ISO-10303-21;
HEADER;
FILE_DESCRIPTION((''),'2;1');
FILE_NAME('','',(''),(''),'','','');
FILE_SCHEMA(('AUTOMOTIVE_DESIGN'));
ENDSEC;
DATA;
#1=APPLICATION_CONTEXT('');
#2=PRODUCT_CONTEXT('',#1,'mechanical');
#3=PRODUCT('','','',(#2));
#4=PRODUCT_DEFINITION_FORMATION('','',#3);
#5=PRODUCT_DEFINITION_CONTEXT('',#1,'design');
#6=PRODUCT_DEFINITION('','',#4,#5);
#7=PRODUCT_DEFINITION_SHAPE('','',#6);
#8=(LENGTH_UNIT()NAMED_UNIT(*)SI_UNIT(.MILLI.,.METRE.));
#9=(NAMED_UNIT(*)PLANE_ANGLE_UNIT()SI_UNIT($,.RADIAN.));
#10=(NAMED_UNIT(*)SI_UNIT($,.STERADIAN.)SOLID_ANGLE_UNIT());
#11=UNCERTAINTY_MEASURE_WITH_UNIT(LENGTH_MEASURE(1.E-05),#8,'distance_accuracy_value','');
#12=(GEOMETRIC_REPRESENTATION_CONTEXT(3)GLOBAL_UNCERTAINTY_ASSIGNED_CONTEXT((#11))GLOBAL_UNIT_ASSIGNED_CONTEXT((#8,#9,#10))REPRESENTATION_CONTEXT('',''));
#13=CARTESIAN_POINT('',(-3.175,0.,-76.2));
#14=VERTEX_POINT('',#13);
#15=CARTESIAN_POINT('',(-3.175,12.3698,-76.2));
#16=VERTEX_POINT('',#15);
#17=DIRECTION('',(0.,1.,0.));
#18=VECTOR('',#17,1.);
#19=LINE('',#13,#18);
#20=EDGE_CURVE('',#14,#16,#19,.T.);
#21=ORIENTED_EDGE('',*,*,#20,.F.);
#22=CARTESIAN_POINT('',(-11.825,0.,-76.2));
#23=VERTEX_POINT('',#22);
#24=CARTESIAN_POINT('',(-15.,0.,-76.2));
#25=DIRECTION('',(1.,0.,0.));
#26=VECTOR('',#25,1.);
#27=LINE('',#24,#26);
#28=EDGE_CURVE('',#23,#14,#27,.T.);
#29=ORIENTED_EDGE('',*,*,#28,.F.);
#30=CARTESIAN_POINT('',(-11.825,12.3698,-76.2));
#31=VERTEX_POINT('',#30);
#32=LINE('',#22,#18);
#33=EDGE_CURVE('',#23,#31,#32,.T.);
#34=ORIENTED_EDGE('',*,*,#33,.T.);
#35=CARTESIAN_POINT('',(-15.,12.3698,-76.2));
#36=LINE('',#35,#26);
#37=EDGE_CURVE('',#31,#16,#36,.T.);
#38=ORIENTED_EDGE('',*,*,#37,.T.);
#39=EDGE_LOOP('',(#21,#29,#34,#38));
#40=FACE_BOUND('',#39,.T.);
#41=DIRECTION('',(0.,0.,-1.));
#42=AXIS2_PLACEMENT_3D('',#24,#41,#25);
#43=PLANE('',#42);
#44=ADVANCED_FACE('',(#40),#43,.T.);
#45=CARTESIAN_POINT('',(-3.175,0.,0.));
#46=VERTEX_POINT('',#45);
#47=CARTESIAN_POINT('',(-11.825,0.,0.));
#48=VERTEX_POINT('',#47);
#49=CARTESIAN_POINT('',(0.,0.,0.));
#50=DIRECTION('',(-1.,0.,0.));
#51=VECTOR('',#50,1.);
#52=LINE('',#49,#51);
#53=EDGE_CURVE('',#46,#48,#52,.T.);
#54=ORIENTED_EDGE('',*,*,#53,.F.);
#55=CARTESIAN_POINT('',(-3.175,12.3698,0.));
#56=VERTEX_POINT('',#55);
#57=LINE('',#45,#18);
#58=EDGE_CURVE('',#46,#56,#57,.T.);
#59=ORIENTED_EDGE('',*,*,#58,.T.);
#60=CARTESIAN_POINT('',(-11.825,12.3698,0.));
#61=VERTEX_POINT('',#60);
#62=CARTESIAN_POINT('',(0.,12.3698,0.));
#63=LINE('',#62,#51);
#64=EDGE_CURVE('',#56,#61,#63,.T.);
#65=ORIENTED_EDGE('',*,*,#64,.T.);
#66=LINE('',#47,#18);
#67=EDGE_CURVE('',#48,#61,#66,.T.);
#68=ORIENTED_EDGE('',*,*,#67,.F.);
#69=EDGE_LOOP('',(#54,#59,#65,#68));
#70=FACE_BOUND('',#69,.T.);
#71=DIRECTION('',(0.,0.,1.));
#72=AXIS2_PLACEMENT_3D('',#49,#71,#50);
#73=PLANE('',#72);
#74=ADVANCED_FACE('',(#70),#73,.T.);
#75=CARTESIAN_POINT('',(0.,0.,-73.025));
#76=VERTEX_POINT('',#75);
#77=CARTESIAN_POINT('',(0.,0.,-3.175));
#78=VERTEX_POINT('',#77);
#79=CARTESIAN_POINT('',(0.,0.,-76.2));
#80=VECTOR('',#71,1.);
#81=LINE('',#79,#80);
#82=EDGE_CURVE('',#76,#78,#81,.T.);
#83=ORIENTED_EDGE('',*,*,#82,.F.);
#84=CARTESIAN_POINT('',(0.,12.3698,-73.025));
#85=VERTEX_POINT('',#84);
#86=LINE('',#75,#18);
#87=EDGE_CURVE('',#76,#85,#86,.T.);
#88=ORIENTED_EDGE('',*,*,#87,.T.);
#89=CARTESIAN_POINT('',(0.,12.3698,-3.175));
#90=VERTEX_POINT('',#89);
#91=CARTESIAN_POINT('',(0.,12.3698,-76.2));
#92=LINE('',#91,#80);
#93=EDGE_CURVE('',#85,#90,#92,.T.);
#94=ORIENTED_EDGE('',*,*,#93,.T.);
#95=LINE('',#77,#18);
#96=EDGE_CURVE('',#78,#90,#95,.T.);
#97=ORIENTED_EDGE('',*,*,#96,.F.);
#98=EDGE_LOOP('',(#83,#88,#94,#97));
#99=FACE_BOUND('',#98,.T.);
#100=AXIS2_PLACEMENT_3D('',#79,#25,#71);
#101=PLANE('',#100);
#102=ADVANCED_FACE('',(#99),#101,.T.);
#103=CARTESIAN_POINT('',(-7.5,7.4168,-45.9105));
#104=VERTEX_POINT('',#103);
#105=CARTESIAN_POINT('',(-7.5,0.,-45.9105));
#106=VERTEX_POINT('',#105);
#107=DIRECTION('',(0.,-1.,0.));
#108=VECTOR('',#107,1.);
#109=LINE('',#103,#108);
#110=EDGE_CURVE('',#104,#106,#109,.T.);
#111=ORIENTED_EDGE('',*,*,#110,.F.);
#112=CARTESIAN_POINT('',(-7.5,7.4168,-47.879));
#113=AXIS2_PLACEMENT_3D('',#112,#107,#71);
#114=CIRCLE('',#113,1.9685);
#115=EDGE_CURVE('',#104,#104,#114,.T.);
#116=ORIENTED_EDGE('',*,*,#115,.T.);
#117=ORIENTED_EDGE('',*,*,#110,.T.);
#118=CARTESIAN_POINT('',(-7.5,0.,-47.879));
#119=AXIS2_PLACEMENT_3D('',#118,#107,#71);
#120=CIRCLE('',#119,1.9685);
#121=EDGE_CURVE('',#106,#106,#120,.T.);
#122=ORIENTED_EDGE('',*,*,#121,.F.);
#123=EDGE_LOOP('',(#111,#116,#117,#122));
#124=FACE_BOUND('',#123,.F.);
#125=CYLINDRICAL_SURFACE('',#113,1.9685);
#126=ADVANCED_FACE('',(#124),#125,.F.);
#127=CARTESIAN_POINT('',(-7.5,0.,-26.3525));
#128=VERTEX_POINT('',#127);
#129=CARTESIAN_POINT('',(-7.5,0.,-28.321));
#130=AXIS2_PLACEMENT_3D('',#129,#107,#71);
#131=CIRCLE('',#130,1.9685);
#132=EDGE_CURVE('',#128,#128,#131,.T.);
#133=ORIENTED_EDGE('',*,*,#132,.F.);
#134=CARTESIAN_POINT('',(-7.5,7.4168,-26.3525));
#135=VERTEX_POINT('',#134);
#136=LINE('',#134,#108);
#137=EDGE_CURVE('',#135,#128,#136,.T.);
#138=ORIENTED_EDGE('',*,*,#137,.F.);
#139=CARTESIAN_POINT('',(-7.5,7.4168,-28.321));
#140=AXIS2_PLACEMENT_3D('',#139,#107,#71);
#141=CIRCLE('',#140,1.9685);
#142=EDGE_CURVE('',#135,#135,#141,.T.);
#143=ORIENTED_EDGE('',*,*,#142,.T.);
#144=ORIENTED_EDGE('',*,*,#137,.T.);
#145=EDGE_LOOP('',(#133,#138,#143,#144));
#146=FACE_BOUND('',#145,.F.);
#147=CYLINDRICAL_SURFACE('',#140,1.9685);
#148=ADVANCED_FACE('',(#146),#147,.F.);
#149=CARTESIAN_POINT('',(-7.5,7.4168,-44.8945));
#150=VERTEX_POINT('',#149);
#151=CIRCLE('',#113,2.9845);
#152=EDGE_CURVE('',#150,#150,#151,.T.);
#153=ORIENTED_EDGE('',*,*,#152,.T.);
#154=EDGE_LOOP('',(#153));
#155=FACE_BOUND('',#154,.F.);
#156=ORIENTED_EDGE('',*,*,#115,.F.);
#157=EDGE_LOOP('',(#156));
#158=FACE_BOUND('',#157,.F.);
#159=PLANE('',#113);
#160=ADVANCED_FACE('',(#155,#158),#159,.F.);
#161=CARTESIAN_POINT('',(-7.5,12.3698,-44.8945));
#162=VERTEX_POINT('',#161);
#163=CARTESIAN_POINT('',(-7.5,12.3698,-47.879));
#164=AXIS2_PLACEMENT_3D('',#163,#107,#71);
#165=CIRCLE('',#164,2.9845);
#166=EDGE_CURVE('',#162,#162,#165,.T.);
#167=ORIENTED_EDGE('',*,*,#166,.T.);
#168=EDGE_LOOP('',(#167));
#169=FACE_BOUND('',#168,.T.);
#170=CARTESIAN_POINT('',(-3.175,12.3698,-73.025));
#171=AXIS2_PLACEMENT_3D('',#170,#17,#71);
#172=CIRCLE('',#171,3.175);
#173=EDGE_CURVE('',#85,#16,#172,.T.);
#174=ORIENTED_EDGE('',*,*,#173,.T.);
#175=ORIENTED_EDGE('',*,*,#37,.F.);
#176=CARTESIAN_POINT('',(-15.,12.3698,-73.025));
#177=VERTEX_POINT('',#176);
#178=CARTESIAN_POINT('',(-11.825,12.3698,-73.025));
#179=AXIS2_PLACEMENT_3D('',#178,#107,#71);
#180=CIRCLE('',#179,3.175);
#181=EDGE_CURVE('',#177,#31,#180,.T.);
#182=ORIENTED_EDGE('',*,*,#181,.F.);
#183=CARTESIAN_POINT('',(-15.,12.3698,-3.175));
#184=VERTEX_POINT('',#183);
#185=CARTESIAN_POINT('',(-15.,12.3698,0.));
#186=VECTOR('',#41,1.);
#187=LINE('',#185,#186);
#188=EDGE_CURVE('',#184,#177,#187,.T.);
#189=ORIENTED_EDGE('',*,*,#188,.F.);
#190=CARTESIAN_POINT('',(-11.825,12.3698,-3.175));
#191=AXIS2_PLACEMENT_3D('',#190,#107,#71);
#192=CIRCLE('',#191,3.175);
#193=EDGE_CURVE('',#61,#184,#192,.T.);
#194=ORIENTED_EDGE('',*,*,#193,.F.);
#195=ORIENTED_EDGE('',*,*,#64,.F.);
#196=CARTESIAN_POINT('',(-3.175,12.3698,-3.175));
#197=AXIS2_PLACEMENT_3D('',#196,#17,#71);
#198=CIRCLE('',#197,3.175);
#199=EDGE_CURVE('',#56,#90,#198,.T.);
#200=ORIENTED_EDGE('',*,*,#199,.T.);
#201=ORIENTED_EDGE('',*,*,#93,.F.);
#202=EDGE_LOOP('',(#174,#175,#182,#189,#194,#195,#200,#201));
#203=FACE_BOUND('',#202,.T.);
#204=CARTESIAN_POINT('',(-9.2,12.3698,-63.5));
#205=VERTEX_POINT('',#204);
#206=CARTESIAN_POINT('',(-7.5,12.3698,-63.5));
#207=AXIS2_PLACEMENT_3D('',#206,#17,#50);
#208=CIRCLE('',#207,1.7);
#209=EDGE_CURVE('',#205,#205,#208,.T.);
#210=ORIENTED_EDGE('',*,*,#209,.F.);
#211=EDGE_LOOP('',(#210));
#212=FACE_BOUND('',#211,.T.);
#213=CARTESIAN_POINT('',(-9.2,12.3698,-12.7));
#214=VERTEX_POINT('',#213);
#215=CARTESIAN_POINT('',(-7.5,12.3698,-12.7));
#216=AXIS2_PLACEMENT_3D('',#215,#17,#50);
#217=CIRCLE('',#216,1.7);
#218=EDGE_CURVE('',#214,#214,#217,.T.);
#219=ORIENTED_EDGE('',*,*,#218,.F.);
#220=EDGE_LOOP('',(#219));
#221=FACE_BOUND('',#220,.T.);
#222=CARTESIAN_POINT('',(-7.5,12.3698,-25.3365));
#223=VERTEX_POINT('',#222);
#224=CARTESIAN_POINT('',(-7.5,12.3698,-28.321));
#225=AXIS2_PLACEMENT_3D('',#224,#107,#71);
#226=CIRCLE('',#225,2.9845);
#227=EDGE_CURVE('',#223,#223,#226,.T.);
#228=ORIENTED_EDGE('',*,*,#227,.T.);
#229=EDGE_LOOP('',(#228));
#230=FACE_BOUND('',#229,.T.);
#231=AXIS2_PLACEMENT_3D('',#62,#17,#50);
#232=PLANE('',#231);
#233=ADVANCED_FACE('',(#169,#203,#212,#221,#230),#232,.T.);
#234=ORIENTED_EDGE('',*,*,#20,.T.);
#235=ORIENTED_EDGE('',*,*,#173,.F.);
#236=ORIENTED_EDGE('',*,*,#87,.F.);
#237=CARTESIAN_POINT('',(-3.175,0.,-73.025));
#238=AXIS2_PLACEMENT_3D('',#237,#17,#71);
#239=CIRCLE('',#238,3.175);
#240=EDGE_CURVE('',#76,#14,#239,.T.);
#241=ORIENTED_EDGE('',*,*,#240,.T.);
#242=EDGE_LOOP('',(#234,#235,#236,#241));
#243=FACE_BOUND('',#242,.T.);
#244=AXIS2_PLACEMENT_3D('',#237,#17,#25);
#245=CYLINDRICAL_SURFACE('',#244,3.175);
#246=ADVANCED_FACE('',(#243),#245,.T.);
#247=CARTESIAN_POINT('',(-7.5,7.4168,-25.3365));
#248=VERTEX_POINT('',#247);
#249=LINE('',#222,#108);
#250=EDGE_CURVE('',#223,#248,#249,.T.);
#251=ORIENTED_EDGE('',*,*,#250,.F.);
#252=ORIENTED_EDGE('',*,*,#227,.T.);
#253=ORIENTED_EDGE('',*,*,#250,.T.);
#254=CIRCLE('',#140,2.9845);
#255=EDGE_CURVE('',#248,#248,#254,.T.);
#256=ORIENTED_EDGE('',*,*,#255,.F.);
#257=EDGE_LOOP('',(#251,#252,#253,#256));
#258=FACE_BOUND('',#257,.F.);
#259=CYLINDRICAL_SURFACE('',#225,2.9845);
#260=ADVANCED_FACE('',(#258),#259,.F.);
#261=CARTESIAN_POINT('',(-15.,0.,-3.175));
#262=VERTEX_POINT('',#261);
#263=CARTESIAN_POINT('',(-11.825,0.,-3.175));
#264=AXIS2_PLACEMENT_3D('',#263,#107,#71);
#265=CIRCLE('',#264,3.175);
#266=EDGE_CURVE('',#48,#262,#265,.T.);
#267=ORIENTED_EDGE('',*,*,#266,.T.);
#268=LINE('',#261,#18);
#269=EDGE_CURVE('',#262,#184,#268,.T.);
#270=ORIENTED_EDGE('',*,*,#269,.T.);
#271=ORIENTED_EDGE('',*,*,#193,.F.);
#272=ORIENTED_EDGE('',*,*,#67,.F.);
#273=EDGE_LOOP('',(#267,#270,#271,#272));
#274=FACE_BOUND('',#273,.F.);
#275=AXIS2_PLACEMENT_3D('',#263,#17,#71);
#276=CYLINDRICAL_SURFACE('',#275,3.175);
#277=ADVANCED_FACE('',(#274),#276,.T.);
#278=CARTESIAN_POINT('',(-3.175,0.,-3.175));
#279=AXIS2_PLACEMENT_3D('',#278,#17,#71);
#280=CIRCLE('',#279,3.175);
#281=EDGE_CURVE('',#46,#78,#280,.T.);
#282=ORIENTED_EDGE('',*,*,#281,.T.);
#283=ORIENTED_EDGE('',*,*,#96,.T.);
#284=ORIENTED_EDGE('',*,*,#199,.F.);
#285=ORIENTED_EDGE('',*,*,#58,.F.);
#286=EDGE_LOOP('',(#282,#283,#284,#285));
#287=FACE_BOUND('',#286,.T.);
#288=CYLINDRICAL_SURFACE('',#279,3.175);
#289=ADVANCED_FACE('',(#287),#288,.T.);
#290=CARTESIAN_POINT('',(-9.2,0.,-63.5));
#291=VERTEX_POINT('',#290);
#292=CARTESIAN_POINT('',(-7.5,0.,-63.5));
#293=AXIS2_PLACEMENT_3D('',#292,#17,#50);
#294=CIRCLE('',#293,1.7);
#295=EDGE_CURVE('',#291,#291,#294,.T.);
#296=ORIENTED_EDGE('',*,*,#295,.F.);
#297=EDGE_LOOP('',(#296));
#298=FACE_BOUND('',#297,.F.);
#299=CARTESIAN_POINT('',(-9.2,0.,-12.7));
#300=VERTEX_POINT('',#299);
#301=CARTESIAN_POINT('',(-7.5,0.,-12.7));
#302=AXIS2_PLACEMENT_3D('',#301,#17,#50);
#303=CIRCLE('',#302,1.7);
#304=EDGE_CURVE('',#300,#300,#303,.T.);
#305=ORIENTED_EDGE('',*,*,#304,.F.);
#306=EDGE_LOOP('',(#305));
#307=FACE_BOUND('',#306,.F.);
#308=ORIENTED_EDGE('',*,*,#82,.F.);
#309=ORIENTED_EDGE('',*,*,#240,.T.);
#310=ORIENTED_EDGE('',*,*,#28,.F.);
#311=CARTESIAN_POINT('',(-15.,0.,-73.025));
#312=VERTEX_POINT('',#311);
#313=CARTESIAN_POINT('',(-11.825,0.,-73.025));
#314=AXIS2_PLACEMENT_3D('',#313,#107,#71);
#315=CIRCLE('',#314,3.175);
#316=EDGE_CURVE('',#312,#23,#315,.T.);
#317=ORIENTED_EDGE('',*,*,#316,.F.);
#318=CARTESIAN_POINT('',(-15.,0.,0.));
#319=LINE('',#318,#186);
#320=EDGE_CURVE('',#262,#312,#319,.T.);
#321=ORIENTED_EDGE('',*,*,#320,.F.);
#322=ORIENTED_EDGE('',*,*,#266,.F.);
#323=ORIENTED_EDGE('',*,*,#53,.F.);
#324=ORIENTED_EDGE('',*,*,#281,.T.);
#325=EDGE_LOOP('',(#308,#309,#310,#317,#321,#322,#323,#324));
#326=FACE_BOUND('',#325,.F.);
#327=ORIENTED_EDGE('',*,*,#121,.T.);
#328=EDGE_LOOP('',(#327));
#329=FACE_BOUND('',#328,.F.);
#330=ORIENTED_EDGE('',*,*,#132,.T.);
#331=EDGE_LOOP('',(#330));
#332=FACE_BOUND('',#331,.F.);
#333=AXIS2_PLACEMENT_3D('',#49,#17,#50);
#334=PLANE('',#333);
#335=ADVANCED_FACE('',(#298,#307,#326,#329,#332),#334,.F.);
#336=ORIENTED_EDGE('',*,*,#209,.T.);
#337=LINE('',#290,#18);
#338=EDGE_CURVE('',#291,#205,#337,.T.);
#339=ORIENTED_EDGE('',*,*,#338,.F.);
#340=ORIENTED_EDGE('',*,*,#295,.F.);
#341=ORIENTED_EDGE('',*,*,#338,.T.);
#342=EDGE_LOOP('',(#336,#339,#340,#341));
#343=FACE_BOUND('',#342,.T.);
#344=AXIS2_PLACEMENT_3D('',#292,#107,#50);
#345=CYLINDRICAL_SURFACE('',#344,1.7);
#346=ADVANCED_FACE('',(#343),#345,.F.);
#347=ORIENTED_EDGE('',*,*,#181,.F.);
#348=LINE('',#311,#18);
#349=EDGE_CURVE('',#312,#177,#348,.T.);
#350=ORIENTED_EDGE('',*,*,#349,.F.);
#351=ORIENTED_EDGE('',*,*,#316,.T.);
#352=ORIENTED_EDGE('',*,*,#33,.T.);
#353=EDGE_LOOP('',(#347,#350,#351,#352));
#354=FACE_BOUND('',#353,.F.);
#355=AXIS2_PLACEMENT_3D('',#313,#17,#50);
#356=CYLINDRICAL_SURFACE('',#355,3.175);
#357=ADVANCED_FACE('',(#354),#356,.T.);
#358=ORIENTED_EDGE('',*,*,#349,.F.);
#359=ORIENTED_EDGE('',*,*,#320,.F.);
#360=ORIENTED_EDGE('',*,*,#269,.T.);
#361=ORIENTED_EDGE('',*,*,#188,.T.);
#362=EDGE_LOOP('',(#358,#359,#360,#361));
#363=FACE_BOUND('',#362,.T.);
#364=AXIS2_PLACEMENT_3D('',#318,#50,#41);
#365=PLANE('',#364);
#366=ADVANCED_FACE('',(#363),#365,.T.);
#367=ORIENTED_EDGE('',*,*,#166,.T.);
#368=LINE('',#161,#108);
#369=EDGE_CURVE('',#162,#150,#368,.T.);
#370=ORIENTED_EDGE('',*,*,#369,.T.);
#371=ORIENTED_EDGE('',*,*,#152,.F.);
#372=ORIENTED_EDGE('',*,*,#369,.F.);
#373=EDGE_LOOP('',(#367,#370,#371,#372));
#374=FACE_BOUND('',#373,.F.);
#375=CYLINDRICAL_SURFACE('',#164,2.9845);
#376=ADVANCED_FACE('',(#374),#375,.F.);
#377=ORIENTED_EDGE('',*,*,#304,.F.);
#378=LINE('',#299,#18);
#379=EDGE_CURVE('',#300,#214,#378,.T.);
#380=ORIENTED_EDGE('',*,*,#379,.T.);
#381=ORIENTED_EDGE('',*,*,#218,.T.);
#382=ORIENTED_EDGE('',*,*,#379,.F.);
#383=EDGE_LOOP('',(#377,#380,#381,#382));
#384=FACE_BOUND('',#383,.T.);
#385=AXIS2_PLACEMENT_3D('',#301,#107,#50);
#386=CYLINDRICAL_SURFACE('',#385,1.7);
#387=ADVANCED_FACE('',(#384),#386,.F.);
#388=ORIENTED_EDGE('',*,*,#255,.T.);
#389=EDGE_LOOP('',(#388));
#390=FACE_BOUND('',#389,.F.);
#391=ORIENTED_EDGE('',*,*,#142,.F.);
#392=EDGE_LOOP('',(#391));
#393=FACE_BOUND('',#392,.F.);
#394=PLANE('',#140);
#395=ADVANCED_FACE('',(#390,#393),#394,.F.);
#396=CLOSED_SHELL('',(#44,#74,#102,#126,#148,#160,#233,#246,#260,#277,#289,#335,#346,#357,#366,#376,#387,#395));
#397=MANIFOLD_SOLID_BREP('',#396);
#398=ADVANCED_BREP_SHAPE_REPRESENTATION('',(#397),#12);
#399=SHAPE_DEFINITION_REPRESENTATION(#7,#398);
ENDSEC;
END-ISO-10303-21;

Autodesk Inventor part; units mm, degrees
ref_plane "YZ Plane" through (0, 0, 0) normal (1, 0, 0) x (0, 1, 0)
ref_plane "XZ Plane" through (0, 0, 0) normal (0, 1, 0) x (-1, 0, 0)
ref_plane "XY Plane" through (0, 0, 0) normal (0, 0, 1) x (1, 0, 0)
sketch "Sketch1" plane through (0, 0, 0) normal (0, 1, 0) x (-1, 0, 0)
  line L0 (0, 0) -> (15, 0)
  line L1 (15, 0) -> (15, -76.2)
  line L2 (15, -76.2) -> (0, -76.2)
  line L3 (0, -76.2) -> (0, 0)
  circle A0 centre (7.5, -12.7) radius 1.7
  circle A1 centre (7.5, -63.5) radius 1.7
  dimension "d0" = 15
  dimension "d1" = 76.2
  dimension "d2" = 3.4
  dimension "d3" = 3.4
  dimension "d4" = 12.7
  dimension "d5" = 12.7
extrude "Extrusion1" add sketch "Sketch1" along normal blind 12.3698
sketch "Sketch2" plane through (0, 12.3698, 0) normal (0, 1, 0) x (1, 0, 0)
  circle A0 centre (-7.5, 28.321) radius 1.9685 construction
  circle A1 centre (-7.5, 47.879) radius 1.9685 construction
  line L0 (-15, 76.2) -> (-15, 0) projected
  line L1 (0, 76.2) -> (-15, 76.2) projected
  line L2 (-15, 0) -> (0, 0) projected
  dimension "d8" = 3.937
  dimension "d9" = 3.937
  dimension "d10" = 19.558
  dimension "d11" = 7.5
  dimension "d12" = 7.5
  dimension "d13" = 28.321
  dimension "d14" = 28.321
hole "Hole1" at (-7.5, 12.3698, -28.321) at (-7.5, 12.3698, -47.879) direction (0, -1, 0) diameter 3.937 depth 20.32 counterbore diameter 5.969 counterbore depth 4.953
fillet "Fillet1" radius 3.175 4 edges at (-15, 6.1849, -76.2) (0, 6.1849, -76.2) (0, 6.1849, 0) (-15, 6.1849, 0)
properties part number "Collection rotation adapter"
